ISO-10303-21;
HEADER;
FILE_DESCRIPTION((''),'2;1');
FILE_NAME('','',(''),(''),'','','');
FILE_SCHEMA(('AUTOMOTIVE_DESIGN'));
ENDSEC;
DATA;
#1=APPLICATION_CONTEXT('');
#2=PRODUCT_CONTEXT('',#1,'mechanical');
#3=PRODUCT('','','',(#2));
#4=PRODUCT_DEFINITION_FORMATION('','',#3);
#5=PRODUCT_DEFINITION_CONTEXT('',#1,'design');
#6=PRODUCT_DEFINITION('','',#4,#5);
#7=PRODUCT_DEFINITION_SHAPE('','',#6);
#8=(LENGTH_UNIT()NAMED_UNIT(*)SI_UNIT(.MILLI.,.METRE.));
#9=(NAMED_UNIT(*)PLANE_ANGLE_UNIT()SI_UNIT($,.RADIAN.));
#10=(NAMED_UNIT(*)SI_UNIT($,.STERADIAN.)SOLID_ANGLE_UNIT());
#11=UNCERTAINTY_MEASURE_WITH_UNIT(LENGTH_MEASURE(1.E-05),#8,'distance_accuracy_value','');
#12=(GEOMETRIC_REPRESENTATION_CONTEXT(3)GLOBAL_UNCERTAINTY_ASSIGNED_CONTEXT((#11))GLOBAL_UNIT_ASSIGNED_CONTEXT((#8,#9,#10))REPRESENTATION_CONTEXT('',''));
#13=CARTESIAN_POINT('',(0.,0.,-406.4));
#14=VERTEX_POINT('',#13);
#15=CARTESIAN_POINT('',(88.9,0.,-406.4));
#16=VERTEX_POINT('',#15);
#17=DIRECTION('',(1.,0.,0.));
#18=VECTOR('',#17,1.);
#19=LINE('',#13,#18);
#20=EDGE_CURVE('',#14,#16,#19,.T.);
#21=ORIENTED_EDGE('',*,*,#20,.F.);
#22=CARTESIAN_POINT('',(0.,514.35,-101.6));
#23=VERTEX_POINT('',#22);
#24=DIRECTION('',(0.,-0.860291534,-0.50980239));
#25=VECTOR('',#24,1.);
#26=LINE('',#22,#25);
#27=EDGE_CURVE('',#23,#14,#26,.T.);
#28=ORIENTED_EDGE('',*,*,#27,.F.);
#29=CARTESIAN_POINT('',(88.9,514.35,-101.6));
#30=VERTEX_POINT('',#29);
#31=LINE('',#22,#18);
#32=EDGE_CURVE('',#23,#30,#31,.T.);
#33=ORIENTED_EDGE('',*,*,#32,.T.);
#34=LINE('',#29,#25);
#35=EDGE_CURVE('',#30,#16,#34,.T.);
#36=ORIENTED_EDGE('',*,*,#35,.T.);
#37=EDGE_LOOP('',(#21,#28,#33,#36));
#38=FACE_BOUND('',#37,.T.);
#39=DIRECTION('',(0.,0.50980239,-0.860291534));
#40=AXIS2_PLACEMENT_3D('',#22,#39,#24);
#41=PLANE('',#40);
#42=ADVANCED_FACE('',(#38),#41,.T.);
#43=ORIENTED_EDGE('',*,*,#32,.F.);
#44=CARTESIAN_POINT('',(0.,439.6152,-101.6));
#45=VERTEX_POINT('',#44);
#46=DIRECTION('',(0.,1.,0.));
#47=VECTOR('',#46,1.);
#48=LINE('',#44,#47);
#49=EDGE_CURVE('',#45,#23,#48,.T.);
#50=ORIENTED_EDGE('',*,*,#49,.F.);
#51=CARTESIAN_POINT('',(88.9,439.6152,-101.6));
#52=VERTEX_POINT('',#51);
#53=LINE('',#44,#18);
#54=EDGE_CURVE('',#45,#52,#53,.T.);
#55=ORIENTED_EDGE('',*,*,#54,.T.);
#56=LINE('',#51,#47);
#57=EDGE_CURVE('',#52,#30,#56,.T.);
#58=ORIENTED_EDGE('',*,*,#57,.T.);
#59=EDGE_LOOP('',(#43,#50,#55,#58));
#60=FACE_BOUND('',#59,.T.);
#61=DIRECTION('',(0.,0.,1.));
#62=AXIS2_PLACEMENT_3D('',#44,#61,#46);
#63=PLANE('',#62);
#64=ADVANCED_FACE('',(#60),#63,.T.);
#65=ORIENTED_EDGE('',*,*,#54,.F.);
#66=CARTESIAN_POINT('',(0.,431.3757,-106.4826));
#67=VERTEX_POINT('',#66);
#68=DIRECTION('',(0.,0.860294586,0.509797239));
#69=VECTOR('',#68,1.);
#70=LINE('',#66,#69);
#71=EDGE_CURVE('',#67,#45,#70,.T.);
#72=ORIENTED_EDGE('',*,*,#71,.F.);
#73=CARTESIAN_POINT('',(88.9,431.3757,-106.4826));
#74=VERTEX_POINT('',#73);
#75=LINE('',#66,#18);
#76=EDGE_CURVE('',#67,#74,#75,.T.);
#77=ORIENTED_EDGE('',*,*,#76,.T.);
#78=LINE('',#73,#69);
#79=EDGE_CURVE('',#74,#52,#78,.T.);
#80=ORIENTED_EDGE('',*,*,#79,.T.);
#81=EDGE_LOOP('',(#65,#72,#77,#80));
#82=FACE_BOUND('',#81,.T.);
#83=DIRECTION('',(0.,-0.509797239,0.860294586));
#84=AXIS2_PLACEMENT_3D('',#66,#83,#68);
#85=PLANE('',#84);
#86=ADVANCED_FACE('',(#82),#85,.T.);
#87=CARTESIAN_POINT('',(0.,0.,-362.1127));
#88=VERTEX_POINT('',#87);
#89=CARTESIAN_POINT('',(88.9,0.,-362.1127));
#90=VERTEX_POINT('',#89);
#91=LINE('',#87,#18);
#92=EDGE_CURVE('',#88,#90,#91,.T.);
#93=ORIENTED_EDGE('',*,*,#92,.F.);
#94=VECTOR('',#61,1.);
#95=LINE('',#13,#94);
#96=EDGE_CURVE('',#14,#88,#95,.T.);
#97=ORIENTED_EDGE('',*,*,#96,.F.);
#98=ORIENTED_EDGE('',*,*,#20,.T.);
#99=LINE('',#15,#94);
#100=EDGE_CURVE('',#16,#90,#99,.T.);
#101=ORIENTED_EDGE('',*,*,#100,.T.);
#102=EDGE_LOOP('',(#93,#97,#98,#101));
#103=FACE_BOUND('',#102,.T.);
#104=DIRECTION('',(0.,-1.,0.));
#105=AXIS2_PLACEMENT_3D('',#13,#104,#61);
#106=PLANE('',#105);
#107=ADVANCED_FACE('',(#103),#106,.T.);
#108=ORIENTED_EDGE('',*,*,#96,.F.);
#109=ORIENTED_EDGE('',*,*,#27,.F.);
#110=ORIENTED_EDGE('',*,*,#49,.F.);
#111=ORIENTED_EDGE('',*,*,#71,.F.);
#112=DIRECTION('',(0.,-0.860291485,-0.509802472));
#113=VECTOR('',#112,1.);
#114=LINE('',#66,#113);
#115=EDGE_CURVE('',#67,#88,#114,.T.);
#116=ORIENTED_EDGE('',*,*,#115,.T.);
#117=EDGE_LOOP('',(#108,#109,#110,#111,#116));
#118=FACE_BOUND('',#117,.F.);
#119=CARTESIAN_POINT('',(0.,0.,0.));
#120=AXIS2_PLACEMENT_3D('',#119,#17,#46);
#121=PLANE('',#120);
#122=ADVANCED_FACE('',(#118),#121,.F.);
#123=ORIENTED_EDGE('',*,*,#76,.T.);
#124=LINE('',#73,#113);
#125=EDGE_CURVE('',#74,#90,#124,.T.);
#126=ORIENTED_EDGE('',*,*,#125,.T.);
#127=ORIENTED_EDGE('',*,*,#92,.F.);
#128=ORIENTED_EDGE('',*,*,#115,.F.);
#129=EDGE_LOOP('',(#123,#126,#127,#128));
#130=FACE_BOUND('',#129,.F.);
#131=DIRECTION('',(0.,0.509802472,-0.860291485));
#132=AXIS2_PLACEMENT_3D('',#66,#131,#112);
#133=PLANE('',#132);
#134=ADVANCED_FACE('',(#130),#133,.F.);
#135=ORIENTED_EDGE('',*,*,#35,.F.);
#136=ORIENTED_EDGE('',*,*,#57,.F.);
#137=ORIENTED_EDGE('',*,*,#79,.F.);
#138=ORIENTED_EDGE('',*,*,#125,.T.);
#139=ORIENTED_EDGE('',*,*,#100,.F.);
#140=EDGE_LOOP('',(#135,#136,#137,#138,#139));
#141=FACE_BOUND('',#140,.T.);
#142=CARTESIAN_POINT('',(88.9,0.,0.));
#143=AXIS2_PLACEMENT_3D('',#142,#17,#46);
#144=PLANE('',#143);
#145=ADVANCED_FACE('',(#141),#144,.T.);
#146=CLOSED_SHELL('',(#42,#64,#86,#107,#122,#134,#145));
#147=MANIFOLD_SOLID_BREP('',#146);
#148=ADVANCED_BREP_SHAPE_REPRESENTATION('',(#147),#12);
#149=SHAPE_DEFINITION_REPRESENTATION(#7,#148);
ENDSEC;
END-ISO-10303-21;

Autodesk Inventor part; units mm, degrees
ref_plane "YZ Plane" through (0, 0, 0) normal (1, 0, 0) x (0, 1, 0)
ref_plane "XZ Plane" through (0, 0, 0) normal (0, 1, 0) x (-1, 0, 0)
ref_plane "XY Plane" through (0, 0, 0) normal (0, 0, 1) x (1, 0, 0)
sketch "Sketch1" plane through (0, 0, 0) normal (1, 0, 0) x (0, 1, 0)
  line L0 (0, -406.4) -> (0, -362.1127)
  line L1 (431.3757, -106.4826) -> (439.6152, -101.6)
  line L2 (431.3757, -106.4826) -> (0, -362.1127)
  line L3 (0, -406.4) -> (0, -362.1127)
  line L4 (0, -406.4) -> (0, -362.1127)
  line L5 (514.35, -101.6) -> (0, -406.4)
  line L6 (439.6152, -101.6) -> (514.35, -101.6)
  point P0 (0, 0)
  point P1 (0, -362.1127)
  point P2 (0, -362.1127)
extrude "Extrusion1" add sketch "Sketch1" along normal blind 88.9
properties part number "S_2x4x31.38"
